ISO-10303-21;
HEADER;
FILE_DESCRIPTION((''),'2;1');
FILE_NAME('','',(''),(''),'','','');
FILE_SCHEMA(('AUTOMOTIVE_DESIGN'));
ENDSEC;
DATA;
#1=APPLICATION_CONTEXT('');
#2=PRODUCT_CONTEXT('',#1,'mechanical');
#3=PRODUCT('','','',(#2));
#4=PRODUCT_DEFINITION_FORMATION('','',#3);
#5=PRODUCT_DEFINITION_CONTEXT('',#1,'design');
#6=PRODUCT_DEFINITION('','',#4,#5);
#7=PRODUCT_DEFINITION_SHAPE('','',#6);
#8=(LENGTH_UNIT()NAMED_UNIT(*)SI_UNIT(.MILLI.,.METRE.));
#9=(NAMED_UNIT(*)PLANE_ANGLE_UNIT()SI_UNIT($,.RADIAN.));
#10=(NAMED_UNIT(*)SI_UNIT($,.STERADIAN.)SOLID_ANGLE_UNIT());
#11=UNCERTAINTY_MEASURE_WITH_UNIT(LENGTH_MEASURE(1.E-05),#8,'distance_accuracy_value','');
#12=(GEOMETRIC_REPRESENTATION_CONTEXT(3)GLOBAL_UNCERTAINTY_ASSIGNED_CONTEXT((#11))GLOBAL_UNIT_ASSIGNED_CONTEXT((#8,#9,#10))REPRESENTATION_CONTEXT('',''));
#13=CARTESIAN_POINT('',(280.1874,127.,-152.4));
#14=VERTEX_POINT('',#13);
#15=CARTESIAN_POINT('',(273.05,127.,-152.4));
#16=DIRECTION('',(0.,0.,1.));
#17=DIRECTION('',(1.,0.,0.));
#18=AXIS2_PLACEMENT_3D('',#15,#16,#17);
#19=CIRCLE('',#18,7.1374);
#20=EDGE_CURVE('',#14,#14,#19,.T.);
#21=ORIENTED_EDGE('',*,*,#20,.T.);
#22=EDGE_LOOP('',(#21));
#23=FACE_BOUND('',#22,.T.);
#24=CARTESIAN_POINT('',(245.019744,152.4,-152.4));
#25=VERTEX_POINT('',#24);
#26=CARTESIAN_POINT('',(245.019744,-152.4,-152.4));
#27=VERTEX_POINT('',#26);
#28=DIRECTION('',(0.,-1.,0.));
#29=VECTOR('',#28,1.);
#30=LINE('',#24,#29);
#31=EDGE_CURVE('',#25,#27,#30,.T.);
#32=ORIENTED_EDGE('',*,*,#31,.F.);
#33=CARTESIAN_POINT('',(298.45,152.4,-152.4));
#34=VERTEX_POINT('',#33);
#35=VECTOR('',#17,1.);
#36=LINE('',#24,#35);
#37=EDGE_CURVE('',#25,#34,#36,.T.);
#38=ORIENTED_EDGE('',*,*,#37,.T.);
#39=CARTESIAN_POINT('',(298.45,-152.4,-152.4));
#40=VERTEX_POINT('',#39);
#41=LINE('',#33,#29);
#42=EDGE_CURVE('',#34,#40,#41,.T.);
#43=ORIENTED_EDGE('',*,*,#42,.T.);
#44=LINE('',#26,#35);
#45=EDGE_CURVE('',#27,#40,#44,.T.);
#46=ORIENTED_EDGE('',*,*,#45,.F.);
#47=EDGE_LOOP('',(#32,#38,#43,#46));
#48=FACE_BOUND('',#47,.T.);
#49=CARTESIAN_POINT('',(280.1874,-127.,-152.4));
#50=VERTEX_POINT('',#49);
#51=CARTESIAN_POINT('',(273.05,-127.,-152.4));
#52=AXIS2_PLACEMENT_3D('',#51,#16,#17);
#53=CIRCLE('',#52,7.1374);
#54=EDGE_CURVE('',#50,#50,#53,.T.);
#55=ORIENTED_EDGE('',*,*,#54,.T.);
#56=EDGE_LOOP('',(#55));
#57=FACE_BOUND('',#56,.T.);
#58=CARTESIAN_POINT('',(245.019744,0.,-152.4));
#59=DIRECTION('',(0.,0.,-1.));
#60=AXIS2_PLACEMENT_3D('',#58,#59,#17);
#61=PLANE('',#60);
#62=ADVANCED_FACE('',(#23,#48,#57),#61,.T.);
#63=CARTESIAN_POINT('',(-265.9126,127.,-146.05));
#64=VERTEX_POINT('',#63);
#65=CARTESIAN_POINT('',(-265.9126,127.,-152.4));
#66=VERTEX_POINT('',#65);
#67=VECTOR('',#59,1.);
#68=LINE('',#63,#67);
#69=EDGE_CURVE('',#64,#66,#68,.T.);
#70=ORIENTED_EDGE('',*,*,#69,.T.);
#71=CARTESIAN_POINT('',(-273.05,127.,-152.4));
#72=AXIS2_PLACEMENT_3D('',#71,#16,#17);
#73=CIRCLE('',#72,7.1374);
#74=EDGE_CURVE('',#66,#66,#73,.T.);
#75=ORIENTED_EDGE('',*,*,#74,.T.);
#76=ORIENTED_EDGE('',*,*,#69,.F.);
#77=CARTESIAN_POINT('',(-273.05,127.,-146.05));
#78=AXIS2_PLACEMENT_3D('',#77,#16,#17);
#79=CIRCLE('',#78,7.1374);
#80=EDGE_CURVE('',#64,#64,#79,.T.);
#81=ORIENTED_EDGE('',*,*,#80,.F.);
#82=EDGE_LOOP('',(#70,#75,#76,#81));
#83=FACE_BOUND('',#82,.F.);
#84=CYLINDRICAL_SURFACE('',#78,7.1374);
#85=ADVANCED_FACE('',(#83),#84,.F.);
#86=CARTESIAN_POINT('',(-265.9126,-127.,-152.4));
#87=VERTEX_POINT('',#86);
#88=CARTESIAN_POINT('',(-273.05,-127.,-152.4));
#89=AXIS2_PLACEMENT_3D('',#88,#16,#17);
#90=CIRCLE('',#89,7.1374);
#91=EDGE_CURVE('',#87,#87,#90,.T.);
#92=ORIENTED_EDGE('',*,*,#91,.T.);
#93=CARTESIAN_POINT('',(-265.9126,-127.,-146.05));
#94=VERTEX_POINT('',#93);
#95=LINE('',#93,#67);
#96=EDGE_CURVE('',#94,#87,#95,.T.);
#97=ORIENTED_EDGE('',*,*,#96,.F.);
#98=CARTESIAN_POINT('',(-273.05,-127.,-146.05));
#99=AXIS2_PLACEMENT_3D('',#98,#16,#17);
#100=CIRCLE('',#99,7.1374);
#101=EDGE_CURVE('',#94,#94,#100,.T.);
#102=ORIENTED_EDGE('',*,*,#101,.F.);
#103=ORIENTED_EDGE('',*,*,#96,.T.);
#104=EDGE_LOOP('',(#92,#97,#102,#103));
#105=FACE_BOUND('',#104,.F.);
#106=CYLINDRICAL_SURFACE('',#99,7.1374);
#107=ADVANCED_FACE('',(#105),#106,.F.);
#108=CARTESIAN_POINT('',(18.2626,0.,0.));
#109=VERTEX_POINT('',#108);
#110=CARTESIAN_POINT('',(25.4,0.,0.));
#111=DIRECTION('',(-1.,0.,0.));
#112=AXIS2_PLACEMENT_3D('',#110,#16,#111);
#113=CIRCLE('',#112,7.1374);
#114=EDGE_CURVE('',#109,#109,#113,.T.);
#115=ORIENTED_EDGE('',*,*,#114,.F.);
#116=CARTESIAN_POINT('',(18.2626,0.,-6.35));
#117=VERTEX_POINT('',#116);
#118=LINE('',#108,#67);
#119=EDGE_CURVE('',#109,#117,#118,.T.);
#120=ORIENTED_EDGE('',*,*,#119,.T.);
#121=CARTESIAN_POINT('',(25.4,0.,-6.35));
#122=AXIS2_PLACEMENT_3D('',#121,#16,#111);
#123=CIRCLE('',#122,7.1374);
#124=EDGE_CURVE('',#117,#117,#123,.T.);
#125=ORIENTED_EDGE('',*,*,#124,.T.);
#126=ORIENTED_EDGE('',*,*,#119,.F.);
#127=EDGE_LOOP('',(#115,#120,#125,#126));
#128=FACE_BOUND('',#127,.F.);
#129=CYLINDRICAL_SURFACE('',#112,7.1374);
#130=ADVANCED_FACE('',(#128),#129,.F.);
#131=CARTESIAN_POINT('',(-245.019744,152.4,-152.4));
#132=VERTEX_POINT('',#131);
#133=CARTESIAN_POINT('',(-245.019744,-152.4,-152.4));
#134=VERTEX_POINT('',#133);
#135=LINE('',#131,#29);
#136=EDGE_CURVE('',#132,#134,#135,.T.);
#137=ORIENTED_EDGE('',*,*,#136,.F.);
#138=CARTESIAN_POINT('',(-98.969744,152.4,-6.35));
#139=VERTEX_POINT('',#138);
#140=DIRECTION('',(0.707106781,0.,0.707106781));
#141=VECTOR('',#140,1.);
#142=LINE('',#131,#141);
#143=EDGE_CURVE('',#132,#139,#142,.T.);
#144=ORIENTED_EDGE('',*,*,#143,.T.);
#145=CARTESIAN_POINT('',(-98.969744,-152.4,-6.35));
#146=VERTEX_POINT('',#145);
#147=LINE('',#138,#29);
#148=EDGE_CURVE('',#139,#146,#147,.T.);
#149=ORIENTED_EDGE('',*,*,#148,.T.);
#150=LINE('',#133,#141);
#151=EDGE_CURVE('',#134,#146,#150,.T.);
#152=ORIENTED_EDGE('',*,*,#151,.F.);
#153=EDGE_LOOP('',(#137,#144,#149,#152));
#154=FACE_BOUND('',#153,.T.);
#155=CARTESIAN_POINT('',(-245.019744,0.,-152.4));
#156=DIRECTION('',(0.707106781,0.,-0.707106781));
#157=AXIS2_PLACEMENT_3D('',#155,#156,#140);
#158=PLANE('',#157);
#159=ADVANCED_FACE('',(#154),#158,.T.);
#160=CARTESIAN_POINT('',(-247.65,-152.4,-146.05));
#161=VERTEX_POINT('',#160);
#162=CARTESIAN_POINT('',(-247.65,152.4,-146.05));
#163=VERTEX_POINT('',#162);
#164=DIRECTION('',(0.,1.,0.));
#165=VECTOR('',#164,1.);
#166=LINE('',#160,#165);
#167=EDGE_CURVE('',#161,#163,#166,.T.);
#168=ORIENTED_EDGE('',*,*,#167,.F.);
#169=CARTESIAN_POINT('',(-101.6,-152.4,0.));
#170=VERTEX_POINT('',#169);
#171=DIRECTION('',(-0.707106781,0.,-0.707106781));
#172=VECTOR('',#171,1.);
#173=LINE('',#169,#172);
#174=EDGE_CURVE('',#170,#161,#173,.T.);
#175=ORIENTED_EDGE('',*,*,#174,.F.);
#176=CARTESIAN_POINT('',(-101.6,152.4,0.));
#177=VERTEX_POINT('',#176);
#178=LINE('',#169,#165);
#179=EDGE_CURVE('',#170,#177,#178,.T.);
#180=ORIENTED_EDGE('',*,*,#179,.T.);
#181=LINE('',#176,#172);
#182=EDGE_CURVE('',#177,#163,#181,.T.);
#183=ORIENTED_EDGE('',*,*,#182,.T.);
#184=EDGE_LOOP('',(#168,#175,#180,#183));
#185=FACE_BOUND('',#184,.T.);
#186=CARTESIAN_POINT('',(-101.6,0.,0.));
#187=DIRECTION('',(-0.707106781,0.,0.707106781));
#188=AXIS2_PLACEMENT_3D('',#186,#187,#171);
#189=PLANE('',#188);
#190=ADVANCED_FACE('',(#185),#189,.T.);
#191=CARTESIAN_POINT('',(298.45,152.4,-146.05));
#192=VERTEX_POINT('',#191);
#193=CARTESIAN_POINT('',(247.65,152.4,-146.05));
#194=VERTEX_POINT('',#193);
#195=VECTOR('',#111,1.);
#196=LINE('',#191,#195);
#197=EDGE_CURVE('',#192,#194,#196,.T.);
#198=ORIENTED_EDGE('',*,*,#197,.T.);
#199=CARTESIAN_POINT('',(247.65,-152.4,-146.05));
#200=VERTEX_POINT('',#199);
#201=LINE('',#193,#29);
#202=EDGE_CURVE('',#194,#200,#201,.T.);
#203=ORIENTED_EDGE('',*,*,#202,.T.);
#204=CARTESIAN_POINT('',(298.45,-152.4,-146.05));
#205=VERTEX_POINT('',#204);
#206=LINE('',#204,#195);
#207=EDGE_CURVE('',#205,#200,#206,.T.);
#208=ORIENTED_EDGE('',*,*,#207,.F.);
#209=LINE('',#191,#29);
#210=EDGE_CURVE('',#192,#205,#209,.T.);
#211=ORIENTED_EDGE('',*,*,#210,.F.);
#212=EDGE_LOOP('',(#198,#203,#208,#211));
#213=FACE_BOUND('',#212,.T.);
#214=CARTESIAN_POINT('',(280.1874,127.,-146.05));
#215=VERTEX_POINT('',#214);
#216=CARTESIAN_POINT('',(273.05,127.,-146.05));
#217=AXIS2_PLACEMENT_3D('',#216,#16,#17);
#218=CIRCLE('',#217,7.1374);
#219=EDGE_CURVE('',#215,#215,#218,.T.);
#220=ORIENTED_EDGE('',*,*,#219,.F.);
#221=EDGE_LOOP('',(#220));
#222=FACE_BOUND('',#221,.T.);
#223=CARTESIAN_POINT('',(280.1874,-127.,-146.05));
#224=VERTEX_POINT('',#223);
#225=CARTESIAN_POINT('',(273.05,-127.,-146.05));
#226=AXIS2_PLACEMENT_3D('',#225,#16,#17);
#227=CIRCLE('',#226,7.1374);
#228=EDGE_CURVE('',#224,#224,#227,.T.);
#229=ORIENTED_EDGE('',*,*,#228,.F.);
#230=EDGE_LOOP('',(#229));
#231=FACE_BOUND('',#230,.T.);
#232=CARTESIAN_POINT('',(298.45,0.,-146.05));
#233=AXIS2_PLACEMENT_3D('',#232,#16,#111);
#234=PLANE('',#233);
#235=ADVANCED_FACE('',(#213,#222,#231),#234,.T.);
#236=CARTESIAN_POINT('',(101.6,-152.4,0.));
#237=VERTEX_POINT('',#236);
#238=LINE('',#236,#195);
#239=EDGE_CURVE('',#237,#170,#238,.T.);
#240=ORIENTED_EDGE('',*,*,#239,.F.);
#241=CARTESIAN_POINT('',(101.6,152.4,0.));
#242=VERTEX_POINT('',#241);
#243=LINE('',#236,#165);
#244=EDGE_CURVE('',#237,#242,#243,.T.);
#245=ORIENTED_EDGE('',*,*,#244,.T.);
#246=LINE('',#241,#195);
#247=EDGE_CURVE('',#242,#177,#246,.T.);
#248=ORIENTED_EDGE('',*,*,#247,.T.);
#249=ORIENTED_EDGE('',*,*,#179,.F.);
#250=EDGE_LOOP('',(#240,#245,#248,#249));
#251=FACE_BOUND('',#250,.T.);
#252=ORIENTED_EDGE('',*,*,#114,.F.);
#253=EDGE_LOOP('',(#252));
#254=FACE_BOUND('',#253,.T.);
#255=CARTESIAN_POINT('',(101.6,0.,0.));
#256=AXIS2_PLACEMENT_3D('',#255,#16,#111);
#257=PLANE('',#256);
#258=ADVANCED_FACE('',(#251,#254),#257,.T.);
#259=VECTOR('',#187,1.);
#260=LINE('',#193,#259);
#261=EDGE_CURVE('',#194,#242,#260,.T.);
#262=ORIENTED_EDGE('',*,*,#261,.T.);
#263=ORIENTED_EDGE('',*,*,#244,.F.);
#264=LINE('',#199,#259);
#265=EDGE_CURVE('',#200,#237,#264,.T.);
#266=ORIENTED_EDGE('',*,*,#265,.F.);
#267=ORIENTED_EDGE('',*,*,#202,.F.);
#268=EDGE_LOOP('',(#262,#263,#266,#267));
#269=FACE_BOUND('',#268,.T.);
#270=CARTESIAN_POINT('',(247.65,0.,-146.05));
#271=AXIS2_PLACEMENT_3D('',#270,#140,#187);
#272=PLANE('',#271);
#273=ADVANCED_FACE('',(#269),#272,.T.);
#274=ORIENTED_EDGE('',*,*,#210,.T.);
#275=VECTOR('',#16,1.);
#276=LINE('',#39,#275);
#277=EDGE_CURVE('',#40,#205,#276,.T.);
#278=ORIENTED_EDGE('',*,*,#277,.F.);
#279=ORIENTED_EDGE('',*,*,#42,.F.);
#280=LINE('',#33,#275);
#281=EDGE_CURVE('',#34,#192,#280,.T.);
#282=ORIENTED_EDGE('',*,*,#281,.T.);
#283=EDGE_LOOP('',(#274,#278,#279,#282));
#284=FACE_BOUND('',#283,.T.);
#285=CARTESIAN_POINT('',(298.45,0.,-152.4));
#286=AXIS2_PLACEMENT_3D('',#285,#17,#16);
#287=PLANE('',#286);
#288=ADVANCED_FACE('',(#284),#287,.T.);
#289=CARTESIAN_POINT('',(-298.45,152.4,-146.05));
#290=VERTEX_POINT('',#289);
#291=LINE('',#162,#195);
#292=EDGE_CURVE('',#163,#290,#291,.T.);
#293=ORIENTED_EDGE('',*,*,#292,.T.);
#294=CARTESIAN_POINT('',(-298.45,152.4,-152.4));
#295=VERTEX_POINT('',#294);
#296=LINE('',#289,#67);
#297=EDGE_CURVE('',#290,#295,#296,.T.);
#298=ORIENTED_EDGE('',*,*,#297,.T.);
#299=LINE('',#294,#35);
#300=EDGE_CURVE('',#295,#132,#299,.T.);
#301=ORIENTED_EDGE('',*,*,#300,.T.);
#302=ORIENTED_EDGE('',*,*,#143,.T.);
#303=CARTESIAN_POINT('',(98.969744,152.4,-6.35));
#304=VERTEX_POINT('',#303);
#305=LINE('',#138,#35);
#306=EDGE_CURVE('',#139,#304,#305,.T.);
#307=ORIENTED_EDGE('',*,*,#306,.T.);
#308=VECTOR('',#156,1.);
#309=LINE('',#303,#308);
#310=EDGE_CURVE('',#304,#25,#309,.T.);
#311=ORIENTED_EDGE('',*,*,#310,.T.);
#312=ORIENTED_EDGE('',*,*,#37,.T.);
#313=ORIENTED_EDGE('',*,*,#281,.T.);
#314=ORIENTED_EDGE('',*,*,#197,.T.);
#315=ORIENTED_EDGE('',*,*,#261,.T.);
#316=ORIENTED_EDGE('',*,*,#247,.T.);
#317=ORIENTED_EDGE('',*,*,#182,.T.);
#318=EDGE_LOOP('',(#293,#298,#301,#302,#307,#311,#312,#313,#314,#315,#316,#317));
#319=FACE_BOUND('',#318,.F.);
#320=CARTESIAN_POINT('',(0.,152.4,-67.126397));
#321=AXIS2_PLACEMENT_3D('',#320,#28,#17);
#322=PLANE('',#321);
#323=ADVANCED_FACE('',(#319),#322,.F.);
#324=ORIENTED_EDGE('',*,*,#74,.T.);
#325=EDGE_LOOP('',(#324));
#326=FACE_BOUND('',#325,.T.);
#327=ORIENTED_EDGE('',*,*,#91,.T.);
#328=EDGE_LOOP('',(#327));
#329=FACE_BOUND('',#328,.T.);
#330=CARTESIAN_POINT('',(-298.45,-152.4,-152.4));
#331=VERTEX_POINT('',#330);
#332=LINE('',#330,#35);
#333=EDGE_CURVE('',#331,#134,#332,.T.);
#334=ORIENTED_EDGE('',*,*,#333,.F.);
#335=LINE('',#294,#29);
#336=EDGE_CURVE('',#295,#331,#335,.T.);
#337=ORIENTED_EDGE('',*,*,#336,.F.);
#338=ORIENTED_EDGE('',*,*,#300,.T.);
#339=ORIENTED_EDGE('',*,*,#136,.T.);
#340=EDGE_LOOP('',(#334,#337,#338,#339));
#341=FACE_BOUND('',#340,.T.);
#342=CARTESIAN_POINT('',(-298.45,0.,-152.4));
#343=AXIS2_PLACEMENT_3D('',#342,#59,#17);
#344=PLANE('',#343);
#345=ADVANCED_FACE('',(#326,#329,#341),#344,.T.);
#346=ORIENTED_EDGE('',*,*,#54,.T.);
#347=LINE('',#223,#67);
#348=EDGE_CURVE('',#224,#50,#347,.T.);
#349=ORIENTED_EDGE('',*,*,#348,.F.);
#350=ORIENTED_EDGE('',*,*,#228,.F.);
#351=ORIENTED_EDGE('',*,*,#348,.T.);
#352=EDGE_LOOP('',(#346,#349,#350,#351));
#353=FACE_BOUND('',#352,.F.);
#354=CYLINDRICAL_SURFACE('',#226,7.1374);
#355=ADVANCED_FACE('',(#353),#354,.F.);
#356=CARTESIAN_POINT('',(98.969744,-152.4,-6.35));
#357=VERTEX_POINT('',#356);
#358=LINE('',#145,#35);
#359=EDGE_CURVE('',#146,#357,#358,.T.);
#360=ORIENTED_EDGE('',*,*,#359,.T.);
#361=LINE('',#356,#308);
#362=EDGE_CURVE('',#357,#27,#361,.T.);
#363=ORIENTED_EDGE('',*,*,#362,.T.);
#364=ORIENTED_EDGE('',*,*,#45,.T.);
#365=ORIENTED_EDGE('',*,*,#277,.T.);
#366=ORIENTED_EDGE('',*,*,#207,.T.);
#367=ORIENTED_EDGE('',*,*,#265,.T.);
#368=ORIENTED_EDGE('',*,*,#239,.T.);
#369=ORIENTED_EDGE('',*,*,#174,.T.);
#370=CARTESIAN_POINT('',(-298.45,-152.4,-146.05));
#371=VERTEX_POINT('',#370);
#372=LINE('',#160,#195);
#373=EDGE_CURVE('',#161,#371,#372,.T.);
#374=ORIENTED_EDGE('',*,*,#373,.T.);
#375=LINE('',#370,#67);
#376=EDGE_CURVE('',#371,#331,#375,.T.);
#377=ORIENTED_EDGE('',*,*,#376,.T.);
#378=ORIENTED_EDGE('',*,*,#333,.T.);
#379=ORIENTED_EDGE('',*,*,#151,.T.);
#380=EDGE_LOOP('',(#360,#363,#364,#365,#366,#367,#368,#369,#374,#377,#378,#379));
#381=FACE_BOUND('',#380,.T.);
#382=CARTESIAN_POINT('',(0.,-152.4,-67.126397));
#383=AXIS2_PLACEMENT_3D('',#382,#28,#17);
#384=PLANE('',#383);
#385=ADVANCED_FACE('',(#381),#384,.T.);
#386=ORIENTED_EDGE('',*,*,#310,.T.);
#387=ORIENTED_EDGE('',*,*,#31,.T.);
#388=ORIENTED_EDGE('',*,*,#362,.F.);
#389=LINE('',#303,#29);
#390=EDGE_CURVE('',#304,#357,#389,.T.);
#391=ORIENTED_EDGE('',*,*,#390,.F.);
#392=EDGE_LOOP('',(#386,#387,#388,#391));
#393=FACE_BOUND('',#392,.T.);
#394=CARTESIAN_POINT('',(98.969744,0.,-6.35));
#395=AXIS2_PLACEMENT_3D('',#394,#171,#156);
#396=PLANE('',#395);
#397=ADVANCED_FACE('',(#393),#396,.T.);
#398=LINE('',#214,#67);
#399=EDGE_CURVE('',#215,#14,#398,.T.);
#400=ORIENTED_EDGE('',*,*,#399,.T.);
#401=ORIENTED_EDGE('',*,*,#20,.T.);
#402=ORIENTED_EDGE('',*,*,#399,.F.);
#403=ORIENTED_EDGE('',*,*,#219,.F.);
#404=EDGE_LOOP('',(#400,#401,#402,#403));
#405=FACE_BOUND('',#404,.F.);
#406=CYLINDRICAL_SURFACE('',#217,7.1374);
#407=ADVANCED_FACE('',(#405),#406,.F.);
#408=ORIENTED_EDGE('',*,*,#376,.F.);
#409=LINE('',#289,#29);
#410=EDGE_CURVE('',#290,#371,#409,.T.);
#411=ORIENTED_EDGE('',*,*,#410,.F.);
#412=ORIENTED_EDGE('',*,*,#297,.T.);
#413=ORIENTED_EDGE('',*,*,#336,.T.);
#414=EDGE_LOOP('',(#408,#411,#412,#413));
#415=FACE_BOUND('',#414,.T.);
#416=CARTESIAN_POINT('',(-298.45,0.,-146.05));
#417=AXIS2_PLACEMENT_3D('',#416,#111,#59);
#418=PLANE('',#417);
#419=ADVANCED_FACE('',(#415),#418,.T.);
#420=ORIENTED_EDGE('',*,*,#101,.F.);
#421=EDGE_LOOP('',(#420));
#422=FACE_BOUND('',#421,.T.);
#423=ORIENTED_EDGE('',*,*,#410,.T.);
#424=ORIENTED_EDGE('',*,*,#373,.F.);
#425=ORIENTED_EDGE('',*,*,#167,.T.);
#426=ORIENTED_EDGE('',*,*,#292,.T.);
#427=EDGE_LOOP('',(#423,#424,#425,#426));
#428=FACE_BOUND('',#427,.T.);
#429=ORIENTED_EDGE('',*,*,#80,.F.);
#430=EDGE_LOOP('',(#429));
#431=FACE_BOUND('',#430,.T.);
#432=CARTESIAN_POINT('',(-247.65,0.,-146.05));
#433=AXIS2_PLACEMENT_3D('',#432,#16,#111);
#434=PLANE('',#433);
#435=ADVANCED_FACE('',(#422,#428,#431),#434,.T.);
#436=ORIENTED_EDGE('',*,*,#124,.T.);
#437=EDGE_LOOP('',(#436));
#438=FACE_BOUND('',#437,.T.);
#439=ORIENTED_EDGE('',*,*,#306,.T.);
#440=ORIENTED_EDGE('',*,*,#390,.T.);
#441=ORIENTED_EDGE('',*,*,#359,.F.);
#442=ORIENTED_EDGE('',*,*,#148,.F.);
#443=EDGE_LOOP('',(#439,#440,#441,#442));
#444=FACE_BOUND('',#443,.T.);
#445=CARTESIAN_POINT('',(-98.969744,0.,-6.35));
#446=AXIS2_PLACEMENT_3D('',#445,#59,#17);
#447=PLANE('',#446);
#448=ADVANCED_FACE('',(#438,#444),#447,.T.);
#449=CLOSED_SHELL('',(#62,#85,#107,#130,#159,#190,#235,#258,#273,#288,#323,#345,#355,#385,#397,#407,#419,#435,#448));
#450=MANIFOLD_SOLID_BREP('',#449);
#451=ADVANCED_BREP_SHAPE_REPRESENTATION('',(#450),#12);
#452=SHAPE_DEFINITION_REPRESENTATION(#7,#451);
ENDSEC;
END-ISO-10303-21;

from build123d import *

# Parameters (mm, degrees)
F1_DEPTH = 152.4
F2_R     = 7.1374
F3_DEPTH = 6.351
F5_DEPTH = 152.401


with BuildPart() as f1:
    # F0 (on Front) → F1 (new body, symmetric)
    with BuildSketch(Plane.XZ):
        Polygon((-247.65, -146.05), (-298.45, -146.05), (-298.45, -152.4), (-245.019744, -152.4), (-98.969744, -6.35), (98.969744, -6.35), (245.019744, -152.4), (298.45, -152.4), (298.45, -146.05), (247.65, -146.05), (101.6, 0), (-101.6, 0), align=None)
    extrude(amount=F1_DEPTH, both=True)

    # F2 (on face) → F3 (cut, through all)
    with BuildSketch(Plane.XY.offset(-146.05)):
        with Locations((-273.05, 127)):
            Circle(F2_R)
        with Locations((-273.05, -127)):
            Circle(F2_R)
        with Locations((273.05, 127)):
            Circle(F2_R)
        with Locations((273.05, -127)):
            Circle(F2_R)
    extrude(amount=-F3_DEPTH, mode=Mode.SUBTRACT)

    # F4 (on face) → F5 (cut, through all)
    with BuildSketch(Plane.XY):
        with BuildLine():
            ThreePointArc((32.5374, 0), (25.4, 7.1374), (18.2626, 0))
            Line((18.2626, 0), (32.5374, 0))
        make_face()
        with BuildLine():
            Line((32.5374, 0), (18.2626, 0))
            ThreePointArc((18.2626, 0), (25.4, -7.1374), (32.5374, 0))
        make_face()
    extrude(amount=-F5_DEPTH, mode=Mode.SUBTRACT)


solid = f1.part
